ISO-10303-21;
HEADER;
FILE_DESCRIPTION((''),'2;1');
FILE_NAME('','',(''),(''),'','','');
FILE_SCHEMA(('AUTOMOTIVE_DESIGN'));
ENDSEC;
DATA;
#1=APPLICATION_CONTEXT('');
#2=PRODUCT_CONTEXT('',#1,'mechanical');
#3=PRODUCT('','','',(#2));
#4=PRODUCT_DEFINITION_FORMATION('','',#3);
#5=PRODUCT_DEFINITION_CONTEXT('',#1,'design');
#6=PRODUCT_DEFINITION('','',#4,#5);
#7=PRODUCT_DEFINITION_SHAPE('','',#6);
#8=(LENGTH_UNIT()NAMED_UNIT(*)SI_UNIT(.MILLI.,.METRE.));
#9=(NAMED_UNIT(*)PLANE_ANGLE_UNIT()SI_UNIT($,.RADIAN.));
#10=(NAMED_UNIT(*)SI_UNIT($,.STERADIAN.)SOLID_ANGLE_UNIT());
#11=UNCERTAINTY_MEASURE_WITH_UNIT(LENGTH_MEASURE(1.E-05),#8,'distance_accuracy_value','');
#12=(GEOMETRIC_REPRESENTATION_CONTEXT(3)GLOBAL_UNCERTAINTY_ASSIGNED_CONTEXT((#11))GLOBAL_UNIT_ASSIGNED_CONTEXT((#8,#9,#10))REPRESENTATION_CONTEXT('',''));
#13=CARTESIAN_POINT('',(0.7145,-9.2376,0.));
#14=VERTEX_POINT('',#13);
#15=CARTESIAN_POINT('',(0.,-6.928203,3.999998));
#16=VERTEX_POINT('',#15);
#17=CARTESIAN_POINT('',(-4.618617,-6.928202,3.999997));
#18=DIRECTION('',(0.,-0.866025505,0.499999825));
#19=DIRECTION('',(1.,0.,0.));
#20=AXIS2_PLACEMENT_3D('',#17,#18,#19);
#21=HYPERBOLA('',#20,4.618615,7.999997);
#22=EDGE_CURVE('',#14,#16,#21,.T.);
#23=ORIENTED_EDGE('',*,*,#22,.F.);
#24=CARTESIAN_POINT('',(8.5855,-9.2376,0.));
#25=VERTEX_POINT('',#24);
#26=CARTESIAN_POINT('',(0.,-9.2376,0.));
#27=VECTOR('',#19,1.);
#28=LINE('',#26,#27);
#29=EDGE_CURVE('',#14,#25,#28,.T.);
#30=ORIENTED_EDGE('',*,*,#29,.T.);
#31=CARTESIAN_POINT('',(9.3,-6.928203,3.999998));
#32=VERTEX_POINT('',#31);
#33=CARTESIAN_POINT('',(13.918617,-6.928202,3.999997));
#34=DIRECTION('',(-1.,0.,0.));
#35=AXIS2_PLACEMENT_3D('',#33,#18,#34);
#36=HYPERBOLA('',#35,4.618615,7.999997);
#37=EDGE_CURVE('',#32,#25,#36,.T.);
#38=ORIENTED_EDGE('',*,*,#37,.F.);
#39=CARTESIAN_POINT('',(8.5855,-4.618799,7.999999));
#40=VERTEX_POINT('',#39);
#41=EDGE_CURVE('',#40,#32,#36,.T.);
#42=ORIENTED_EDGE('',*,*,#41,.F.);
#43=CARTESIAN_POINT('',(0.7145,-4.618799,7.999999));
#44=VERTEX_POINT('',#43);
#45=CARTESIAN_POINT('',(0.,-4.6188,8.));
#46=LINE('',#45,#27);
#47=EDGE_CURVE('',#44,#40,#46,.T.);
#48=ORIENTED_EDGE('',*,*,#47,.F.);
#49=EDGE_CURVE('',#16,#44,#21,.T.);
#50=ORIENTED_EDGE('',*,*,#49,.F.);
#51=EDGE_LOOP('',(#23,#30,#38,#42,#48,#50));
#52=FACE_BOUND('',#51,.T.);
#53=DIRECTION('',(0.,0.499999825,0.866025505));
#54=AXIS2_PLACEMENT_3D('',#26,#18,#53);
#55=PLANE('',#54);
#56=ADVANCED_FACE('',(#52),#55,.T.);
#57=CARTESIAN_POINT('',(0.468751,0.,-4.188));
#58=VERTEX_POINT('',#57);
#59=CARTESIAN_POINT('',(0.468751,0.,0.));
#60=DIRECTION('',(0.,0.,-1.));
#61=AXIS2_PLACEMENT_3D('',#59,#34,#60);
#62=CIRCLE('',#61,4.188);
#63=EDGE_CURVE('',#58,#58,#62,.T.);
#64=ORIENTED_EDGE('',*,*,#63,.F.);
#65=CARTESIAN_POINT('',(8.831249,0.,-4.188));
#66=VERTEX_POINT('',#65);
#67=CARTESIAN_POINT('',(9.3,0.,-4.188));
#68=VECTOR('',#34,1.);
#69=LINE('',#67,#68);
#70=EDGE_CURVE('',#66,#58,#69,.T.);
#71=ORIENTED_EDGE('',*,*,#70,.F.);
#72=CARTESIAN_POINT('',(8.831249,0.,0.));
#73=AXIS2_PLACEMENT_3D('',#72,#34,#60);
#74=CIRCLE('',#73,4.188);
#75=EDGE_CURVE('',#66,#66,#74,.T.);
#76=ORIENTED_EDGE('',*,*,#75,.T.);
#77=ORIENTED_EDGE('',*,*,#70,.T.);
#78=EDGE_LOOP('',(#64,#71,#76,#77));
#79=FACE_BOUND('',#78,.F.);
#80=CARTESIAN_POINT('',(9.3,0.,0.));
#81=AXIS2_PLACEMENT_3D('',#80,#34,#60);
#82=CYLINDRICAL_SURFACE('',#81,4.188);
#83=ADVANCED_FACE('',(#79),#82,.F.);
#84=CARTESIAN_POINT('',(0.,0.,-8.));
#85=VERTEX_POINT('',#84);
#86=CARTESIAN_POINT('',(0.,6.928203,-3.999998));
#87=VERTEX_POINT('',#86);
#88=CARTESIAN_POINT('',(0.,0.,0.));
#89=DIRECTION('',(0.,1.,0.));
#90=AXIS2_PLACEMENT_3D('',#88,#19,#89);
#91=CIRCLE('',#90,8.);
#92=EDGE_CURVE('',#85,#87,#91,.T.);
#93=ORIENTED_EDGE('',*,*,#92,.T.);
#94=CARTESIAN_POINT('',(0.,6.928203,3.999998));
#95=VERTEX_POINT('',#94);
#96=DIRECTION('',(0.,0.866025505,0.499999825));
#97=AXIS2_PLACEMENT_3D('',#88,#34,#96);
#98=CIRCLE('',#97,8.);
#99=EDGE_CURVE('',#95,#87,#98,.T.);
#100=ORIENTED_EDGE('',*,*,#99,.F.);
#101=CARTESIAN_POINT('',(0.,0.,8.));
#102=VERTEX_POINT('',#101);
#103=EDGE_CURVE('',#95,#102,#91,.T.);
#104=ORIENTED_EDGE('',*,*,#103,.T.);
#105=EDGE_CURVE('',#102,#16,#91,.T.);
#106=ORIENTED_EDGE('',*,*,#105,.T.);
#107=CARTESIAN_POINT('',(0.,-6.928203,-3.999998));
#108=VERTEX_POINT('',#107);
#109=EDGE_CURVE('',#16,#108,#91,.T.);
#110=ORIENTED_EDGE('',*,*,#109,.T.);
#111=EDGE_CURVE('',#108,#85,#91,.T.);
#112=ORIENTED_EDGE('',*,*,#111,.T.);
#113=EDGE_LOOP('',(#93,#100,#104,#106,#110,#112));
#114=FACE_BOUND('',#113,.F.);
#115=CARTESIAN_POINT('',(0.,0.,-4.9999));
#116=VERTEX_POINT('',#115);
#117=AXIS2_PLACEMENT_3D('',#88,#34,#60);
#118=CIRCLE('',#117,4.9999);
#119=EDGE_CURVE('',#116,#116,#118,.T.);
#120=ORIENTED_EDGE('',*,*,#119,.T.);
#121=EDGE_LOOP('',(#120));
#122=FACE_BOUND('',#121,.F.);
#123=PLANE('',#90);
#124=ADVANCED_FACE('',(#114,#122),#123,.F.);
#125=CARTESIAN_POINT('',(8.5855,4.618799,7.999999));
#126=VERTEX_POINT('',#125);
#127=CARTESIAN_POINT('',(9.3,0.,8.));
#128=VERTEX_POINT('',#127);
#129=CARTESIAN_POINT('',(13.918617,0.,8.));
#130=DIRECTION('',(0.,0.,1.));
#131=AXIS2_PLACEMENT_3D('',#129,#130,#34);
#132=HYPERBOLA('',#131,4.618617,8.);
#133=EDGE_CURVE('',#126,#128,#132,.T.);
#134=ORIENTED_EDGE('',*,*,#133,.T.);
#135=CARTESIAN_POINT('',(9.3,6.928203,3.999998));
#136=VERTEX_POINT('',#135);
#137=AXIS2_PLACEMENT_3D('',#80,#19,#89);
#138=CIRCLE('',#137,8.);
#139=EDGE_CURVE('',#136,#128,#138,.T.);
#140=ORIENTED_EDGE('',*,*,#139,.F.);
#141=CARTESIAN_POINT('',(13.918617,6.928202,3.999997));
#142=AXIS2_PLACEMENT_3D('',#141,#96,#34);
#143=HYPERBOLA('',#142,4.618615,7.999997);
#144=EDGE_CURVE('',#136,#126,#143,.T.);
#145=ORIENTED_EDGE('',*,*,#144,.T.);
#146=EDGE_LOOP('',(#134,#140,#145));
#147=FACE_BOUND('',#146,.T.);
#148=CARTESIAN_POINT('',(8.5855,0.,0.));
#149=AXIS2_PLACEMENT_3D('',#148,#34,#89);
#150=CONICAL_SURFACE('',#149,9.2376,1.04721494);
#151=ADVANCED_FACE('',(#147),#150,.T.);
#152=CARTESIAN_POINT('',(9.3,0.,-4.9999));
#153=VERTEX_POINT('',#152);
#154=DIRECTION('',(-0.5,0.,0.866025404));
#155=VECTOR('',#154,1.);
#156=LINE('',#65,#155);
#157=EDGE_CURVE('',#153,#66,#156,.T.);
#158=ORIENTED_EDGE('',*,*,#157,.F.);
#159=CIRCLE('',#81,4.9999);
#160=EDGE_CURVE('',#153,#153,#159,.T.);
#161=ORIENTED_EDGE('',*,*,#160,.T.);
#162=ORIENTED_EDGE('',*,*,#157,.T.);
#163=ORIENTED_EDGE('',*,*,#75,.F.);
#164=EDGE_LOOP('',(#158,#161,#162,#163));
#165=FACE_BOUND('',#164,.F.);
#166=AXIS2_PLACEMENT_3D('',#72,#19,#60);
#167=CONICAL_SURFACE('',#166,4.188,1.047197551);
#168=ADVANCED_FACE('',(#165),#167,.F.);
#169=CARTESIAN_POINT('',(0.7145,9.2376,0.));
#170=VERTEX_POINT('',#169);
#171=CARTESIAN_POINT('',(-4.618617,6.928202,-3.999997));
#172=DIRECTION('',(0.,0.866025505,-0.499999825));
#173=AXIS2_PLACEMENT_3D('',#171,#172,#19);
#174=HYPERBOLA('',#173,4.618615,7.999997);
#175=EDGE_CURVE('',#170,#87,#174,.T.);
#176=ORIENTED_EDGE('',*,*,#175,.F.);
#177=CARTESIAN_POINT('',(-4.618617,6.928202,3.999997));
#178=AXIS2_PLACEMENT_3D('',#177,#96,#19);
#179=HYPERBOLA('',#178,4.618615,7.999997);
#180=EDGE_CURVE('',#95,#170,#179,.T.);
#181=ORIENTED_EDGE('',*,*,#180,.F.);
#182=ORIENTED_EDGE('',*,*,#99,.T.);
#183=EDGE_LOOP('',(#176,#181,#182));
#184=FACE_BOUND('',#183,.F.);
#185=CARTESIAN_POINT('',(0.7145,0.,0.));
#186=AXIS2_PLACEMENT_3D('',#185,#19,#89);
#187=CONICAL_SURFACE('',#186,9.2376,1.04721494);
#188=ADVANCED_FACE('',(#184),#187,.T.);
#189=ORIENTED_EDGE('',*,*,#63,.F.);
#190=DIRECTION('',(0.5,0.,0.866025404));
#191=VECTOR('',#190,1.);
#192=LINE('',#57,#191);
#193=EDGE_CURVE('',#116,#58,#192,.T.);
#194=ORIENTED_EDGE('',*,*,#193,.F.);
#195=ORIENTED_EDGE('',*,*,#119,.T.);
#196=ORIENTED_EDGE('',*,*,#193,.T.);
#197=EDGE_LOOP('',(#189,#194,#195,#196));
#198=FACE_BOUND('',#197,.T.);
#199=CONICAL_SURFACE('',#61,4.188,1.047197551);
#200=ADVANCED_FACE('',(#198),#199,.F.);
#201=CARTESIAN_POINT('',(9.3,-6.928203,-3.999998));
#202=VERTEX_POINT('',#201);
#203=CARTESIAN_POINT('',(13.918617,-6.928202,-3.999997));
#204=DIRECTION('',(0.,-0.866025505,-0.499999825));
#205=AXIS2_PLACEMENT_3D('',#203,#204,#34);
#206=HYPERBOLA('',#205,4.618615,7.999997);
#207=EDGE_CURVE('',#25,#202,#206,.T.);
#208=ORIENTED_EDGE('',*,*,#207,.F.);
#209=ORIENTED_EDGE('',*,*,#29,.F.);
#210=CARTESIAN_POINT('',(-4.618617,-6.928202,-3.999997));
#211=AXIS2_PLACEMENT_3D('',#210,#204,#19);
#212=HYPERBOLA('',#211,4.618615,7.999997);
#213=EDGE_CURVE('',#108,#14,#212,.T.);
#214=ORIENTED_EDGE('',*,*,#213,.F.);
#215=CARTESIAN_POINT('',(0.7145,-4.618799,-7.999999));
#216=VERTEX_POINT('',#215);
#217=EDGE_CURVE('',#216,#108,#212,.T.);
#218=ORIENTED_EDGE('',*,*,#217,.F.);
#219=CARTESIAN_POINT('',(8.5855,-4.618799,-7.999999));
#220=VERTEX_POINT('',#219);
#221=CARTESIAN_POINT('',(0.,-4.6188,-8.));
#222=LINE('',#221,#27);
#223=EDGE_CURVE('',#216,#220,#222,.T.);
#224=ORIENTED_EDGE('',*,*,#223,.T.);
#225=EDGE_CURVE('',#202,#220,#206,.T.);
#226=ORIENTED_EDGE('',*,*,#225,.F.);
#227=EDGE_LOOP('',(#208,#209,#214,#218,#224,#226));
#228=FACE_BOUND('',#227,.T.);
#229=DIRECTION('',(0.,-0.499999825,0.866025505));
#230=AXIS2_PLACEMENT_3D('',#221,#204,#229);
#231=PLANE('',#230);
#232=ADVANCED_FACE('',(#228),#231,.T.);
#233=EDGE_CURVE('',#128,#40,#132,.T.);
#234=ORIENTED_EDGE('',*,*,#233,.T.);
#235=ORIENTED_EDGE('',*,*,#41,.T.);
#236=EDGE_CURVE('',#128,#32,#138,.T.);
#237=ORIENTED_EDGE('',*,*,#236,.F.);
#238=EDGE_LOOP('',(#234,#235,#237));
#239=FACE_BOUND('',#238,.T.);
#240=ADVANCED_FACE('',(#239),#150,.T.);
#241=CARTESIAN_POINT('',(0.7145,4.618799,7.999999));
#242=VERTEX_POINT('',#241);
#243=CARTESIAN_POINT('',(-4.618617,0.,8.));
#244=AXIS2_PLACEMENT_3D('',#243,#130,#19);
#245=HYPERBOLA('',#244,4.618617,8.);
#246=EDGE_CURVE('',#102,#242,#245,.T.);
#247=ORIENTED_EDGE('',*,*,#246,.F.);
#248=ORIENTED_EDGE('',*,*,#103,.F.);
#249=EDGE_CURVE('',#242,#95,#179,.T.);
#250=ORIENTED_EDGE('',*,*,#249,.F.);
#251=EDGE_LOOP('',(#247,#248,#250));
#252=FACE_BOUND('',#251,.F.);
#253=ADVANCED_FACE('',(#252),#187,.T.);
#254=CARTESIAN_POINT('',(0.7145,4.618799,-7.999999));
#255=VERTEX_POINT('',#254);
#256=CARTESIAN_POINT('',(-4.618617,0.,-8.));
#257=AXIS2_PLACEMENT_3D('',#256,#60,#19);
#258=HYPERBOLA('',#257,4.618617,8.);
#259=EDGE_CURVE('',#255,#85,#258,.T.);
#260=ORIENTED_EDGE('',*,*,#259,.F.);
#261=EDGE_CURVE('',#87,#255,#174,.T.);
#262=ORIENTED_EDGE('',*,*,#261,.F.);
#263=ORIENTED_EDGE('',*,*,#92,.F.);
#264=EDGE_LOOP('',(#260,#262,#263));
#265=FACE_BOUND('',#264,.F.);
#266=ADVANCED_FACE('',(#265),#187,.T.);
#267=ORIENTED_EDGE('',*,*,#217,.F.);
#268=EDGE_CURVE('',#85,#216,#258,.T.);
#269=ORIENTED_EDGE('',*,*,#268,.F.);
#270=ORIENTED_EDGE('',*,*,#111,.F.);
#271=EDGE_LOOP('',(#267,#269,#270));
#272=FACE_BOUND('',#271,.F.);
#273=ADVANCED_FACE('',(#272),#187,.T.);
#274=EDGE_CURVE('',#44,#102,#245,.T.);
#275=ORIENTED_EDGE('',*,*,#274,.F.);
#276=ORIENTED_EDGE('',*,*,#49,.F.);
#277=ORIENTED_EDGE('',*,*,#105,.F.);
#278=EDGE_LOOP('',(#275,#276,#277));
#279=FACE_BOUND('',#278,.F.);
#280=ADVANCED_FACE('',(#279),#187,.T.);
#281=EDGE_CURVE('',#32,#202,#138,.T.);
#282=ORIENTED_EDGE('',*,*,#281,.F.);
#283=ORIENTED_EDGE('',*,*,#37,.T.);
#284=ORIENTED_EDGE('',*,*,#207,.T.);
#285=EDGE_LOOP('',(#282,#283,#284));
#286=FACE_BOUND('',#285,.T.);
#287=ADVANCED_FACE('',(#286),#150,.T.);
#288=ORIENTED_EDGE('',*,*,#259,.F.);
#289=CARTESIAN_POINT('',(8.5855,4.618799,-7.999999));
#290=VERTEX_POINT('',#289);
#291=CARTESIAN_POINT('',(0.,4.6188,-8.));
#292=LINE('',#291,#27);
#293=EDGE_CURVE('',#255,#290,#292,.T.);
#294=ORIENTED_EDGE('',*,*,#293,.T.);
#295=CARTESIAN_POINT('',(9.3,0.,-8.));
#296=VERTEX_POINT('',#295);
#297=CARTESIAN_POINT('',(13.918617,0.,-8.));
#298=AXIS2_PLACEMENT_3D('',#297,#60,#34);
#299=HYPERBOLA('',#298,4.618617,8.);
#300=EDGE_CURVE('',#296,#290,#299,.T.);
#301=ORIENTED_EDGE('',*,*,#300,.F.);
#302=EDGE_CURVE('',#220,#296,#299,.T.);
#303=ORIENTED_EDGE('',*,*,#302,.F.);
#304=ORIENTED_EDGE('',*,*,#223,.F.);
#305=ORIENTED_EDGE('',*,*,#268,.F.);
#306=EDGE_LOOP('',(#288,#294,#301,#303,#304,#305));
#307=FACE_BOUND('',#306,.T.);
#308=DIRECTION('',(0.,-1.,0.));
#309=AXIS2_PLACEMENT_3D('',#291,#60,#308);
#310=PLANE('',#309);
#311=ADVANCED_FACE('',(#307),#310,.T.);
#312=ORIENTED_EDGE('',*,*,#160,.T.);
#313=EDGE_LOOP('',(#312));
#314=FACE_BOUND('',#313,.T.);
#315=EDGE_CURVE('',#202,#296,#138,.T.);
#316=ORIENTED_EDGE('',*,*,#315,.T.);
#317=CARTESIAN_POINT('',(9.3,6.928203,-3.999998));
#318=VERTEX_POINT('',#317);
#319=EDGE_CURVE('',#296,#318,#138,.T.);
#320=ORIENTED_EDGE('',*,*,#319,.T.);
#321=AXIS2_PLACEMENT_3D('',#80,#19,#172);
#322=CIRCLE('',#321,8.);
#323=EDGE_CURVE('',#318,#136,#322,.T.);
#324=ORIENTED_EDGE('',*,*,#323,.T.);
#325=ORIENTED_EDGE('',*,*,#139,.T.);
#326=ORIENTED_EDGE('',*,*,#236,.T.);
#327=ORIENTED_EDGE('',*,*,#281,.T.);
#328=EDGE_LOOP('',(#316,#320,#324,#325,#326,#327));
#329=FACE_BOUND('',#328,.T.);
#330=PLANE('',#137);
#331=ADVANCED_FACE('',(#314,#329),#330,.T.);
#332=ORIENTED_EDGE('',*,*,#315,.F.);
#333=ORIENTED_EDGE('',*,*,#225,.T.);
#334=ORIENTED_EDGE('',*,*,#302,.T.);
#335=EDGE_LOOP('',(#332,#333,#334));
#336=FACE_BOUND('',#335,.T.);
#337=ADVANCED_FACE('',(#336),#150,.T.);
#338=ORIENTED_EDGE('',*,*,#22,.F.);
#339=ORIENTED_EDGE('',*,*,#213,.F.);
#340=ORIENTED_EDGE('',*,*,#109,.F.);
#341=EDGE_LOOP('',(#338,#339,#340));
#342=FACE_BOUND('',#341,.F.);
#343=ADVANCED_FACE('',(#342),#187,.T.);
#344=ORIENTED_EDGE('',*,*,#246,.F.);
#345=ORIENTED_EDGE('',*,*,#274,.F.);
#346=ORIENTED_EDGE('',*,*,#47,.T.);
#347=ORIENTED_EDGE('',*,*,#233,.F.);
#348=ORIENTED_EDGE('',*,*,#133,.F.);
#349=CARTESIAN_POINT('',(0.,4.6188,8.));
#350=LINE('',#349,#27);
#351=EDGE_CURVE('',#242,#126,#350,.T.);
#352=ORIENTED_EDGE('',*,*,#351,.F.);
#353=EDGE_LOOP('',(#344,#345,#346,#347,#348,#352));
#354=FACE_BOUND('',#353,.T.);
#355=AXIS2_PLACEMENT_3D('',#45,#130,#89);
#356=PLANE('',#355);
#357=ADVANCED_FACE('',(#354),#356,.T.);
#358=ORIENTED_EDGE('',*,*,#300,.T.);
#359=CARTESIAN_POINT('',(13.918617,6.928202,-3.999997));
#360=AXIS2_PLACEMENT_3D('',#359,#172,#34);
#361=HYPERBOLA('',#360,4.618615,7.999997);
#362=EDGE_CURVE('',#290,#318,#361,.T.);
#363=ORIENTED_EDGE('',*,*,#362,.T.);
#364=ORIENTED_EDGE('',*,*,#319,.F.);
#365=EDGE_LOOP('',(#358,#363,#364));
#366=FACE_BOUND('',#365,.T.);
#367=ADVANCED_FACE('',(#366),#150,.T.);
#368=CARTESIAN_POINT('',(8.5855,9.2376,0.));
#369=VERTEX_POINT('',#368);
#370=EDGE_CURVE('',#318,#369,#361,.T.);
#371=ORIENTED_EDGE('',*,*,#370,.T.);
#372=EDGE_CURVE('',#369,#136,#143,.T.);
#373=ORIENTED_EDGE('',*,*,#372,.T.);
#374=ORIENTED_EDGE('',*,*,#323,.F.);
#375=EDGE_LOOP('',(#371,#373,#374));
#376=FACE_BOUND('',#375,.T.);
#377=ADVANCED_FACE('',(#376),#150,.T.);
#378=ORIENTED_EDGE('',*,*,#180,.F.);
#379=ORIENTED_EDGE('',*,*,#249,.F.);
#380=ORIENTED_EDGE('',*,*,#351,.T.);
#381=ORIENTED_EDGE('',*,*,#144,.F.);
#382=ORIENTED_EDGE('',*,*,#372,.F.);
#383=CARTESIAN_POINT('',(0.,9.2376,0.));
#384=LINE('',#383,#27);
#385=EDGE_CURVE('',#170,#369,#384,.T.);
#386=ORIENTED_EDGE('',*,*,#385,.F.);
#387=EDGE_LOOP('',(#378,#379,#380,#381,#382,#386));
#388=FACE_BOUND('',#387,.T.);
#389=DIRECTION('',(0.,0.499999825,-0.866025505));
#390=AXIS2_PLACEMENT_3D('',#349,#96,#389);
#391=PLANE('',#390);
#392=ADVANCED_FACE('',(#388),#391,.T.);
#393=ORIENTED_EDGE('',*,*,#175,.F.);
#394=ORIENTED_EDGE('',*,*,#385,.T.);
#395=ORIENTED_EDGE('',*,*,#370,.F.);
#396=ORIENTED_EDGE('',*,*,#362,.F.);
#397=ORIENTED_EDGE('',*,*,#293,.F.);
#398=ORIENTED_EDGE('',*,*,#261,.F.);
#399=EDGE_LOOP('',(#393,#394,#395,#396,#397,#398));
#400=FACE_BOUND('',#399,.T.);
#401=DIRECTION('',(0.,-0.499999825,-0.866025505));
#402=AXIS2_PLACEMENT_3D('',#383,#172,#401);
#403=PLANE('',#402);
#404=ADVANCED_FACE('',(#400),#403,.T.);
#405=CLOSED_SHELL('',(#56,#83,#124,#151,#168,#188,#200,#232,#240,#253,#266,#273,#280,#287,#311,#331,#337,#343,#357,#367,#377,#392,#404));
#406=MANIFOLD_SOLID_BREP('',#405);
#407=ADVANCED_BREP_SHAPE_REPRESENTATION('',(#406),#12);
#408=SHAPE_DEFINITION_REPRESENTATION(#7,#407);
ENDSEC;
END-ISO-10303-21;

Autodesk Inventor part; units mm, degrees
ref_plane "YZ Plane" through (0, 0, 0) normal (1, 0, 0) x (0, 1, 0)
ref_plane "XZ Plane" through (0, 0, 0) normal (0, 1, 0) x (-1, 0, 0)
sketch "草图1" plane through (0, 0, 0) normal (1, 0, 0) x (0, 1, 0)
  line L0 (-9.2376, 0) -> (-4.6188, 8)
  line L1 (-4.6188, 8) -> (4.6188, 8)
  line L2 (4.6188, 8) -> (9.2376, 0)
  line L3 (9.2376, 0) -> (4.6188, -8)
  line L4 (4.6188, -8) -> (-4.6188, -8)
  line L5 (-4.6188, -8) -> (-9.2376, 0)
  point P0 (0, 0)
  point P1 (0, 0)
  dimension "d0" = 18.4752
extrude "轴承体" add sketch "草图1" along normal blind 9.3
sketch "草图2" plane through (0, 0, 0) normal (0, 0, 1) x (1, 0, 0)
  line L0 (0, 4.6188) -> (0, 9.2376) projected
  line L1 (0, 9.2376) -> (9.3, 9.2376) projected
  line L2 (9.3, 4.6188) -> (9.3, 9.2376) projected
  line L3 (-1.86, 0) -> (11.16, 0) projected
  line L4 (0.7145, 9.2376) -> (0, 8)
  line L5 (8.5855, 9.2376) -> (9.3, 8)
  dimension "d3" = 30
  dimension "d4" = 30
  dimension "d5" = 16
  dimension "d6" = 16
revolve "倒角1" cut sketch "草图2" angle 360 about axis through (-10, 0, 0) along (1, 0, 0)
sketch "草图3" plane through (9.3, 0, 0) normal (1, 0, 0) x (0, 0, -1)
  arc A0 (-4, -6.9282) -> (4, -6.9282) centre (0, 0) ccw projected
hole "螺纹" at (9.3, 0, 0) direction (-1, 0, 0) diameter 8.376 end through all thread size "M10x1.5" designation "M10" class "6H" standard "GB Metric profile"
chamfer "倒角2" distance 0.8119 angle 30 1 edges at (9.3, 0, 4.188) measured on face at (9.3, 6.6899, -0.1683)
chamfer "倒角3" distance 0.8119 angle 30 1 edges at (0, 0, 4.188) measured on face at (0, 6.6899, -0.1683)
ref_plane "Work Plane1" through (-16.85, 0, 0) normal (0, -0.866, -0.5) x (1, 0, 0)
equation "\"d0\" = 1.1547 * SW"
equation "\"d1\" = KOH"
equation "\"d3\" = ANG1"
equation "\"d4\" = ANG2"
equation "\"d5\" = SW0"
equation "\"d6\" = SW01"
equation "\"d8\" = -0.5 * GD1 + 0.5 * NND"
equation "\"d40\" = -0.5 * GD1 + 0.5 * NND"
equation "\"d10\" = -0.5 * GD1 + 0.5 * NND"
equation "\"d41\" = -0.5 * GD1 + 0.5 * NND"
equation "\"ANG1\" = 30deg"
equation "\"ANG2\" = 30deg"
equation "\"KOH\" = 9.3"
equation "\"SW\" = 16"
equation "\"SW0\" = SW"
equation "\"SW01\" = SW"
equation "\"GUL\" = 0.541266 * PTC"
equation "\"TOA\" = 30deg"
equation "\"PTC\" = 1.5"
equation "\"E0\" = 1.155 * SW"
equation "\"GAL\" = 0.541266 * PTC"
equation "\"GD1\" = 8.376202"
equation "\"NND\" = 10"
properties part number "螺母 GB/T 6175 M10" material "钢，软"
